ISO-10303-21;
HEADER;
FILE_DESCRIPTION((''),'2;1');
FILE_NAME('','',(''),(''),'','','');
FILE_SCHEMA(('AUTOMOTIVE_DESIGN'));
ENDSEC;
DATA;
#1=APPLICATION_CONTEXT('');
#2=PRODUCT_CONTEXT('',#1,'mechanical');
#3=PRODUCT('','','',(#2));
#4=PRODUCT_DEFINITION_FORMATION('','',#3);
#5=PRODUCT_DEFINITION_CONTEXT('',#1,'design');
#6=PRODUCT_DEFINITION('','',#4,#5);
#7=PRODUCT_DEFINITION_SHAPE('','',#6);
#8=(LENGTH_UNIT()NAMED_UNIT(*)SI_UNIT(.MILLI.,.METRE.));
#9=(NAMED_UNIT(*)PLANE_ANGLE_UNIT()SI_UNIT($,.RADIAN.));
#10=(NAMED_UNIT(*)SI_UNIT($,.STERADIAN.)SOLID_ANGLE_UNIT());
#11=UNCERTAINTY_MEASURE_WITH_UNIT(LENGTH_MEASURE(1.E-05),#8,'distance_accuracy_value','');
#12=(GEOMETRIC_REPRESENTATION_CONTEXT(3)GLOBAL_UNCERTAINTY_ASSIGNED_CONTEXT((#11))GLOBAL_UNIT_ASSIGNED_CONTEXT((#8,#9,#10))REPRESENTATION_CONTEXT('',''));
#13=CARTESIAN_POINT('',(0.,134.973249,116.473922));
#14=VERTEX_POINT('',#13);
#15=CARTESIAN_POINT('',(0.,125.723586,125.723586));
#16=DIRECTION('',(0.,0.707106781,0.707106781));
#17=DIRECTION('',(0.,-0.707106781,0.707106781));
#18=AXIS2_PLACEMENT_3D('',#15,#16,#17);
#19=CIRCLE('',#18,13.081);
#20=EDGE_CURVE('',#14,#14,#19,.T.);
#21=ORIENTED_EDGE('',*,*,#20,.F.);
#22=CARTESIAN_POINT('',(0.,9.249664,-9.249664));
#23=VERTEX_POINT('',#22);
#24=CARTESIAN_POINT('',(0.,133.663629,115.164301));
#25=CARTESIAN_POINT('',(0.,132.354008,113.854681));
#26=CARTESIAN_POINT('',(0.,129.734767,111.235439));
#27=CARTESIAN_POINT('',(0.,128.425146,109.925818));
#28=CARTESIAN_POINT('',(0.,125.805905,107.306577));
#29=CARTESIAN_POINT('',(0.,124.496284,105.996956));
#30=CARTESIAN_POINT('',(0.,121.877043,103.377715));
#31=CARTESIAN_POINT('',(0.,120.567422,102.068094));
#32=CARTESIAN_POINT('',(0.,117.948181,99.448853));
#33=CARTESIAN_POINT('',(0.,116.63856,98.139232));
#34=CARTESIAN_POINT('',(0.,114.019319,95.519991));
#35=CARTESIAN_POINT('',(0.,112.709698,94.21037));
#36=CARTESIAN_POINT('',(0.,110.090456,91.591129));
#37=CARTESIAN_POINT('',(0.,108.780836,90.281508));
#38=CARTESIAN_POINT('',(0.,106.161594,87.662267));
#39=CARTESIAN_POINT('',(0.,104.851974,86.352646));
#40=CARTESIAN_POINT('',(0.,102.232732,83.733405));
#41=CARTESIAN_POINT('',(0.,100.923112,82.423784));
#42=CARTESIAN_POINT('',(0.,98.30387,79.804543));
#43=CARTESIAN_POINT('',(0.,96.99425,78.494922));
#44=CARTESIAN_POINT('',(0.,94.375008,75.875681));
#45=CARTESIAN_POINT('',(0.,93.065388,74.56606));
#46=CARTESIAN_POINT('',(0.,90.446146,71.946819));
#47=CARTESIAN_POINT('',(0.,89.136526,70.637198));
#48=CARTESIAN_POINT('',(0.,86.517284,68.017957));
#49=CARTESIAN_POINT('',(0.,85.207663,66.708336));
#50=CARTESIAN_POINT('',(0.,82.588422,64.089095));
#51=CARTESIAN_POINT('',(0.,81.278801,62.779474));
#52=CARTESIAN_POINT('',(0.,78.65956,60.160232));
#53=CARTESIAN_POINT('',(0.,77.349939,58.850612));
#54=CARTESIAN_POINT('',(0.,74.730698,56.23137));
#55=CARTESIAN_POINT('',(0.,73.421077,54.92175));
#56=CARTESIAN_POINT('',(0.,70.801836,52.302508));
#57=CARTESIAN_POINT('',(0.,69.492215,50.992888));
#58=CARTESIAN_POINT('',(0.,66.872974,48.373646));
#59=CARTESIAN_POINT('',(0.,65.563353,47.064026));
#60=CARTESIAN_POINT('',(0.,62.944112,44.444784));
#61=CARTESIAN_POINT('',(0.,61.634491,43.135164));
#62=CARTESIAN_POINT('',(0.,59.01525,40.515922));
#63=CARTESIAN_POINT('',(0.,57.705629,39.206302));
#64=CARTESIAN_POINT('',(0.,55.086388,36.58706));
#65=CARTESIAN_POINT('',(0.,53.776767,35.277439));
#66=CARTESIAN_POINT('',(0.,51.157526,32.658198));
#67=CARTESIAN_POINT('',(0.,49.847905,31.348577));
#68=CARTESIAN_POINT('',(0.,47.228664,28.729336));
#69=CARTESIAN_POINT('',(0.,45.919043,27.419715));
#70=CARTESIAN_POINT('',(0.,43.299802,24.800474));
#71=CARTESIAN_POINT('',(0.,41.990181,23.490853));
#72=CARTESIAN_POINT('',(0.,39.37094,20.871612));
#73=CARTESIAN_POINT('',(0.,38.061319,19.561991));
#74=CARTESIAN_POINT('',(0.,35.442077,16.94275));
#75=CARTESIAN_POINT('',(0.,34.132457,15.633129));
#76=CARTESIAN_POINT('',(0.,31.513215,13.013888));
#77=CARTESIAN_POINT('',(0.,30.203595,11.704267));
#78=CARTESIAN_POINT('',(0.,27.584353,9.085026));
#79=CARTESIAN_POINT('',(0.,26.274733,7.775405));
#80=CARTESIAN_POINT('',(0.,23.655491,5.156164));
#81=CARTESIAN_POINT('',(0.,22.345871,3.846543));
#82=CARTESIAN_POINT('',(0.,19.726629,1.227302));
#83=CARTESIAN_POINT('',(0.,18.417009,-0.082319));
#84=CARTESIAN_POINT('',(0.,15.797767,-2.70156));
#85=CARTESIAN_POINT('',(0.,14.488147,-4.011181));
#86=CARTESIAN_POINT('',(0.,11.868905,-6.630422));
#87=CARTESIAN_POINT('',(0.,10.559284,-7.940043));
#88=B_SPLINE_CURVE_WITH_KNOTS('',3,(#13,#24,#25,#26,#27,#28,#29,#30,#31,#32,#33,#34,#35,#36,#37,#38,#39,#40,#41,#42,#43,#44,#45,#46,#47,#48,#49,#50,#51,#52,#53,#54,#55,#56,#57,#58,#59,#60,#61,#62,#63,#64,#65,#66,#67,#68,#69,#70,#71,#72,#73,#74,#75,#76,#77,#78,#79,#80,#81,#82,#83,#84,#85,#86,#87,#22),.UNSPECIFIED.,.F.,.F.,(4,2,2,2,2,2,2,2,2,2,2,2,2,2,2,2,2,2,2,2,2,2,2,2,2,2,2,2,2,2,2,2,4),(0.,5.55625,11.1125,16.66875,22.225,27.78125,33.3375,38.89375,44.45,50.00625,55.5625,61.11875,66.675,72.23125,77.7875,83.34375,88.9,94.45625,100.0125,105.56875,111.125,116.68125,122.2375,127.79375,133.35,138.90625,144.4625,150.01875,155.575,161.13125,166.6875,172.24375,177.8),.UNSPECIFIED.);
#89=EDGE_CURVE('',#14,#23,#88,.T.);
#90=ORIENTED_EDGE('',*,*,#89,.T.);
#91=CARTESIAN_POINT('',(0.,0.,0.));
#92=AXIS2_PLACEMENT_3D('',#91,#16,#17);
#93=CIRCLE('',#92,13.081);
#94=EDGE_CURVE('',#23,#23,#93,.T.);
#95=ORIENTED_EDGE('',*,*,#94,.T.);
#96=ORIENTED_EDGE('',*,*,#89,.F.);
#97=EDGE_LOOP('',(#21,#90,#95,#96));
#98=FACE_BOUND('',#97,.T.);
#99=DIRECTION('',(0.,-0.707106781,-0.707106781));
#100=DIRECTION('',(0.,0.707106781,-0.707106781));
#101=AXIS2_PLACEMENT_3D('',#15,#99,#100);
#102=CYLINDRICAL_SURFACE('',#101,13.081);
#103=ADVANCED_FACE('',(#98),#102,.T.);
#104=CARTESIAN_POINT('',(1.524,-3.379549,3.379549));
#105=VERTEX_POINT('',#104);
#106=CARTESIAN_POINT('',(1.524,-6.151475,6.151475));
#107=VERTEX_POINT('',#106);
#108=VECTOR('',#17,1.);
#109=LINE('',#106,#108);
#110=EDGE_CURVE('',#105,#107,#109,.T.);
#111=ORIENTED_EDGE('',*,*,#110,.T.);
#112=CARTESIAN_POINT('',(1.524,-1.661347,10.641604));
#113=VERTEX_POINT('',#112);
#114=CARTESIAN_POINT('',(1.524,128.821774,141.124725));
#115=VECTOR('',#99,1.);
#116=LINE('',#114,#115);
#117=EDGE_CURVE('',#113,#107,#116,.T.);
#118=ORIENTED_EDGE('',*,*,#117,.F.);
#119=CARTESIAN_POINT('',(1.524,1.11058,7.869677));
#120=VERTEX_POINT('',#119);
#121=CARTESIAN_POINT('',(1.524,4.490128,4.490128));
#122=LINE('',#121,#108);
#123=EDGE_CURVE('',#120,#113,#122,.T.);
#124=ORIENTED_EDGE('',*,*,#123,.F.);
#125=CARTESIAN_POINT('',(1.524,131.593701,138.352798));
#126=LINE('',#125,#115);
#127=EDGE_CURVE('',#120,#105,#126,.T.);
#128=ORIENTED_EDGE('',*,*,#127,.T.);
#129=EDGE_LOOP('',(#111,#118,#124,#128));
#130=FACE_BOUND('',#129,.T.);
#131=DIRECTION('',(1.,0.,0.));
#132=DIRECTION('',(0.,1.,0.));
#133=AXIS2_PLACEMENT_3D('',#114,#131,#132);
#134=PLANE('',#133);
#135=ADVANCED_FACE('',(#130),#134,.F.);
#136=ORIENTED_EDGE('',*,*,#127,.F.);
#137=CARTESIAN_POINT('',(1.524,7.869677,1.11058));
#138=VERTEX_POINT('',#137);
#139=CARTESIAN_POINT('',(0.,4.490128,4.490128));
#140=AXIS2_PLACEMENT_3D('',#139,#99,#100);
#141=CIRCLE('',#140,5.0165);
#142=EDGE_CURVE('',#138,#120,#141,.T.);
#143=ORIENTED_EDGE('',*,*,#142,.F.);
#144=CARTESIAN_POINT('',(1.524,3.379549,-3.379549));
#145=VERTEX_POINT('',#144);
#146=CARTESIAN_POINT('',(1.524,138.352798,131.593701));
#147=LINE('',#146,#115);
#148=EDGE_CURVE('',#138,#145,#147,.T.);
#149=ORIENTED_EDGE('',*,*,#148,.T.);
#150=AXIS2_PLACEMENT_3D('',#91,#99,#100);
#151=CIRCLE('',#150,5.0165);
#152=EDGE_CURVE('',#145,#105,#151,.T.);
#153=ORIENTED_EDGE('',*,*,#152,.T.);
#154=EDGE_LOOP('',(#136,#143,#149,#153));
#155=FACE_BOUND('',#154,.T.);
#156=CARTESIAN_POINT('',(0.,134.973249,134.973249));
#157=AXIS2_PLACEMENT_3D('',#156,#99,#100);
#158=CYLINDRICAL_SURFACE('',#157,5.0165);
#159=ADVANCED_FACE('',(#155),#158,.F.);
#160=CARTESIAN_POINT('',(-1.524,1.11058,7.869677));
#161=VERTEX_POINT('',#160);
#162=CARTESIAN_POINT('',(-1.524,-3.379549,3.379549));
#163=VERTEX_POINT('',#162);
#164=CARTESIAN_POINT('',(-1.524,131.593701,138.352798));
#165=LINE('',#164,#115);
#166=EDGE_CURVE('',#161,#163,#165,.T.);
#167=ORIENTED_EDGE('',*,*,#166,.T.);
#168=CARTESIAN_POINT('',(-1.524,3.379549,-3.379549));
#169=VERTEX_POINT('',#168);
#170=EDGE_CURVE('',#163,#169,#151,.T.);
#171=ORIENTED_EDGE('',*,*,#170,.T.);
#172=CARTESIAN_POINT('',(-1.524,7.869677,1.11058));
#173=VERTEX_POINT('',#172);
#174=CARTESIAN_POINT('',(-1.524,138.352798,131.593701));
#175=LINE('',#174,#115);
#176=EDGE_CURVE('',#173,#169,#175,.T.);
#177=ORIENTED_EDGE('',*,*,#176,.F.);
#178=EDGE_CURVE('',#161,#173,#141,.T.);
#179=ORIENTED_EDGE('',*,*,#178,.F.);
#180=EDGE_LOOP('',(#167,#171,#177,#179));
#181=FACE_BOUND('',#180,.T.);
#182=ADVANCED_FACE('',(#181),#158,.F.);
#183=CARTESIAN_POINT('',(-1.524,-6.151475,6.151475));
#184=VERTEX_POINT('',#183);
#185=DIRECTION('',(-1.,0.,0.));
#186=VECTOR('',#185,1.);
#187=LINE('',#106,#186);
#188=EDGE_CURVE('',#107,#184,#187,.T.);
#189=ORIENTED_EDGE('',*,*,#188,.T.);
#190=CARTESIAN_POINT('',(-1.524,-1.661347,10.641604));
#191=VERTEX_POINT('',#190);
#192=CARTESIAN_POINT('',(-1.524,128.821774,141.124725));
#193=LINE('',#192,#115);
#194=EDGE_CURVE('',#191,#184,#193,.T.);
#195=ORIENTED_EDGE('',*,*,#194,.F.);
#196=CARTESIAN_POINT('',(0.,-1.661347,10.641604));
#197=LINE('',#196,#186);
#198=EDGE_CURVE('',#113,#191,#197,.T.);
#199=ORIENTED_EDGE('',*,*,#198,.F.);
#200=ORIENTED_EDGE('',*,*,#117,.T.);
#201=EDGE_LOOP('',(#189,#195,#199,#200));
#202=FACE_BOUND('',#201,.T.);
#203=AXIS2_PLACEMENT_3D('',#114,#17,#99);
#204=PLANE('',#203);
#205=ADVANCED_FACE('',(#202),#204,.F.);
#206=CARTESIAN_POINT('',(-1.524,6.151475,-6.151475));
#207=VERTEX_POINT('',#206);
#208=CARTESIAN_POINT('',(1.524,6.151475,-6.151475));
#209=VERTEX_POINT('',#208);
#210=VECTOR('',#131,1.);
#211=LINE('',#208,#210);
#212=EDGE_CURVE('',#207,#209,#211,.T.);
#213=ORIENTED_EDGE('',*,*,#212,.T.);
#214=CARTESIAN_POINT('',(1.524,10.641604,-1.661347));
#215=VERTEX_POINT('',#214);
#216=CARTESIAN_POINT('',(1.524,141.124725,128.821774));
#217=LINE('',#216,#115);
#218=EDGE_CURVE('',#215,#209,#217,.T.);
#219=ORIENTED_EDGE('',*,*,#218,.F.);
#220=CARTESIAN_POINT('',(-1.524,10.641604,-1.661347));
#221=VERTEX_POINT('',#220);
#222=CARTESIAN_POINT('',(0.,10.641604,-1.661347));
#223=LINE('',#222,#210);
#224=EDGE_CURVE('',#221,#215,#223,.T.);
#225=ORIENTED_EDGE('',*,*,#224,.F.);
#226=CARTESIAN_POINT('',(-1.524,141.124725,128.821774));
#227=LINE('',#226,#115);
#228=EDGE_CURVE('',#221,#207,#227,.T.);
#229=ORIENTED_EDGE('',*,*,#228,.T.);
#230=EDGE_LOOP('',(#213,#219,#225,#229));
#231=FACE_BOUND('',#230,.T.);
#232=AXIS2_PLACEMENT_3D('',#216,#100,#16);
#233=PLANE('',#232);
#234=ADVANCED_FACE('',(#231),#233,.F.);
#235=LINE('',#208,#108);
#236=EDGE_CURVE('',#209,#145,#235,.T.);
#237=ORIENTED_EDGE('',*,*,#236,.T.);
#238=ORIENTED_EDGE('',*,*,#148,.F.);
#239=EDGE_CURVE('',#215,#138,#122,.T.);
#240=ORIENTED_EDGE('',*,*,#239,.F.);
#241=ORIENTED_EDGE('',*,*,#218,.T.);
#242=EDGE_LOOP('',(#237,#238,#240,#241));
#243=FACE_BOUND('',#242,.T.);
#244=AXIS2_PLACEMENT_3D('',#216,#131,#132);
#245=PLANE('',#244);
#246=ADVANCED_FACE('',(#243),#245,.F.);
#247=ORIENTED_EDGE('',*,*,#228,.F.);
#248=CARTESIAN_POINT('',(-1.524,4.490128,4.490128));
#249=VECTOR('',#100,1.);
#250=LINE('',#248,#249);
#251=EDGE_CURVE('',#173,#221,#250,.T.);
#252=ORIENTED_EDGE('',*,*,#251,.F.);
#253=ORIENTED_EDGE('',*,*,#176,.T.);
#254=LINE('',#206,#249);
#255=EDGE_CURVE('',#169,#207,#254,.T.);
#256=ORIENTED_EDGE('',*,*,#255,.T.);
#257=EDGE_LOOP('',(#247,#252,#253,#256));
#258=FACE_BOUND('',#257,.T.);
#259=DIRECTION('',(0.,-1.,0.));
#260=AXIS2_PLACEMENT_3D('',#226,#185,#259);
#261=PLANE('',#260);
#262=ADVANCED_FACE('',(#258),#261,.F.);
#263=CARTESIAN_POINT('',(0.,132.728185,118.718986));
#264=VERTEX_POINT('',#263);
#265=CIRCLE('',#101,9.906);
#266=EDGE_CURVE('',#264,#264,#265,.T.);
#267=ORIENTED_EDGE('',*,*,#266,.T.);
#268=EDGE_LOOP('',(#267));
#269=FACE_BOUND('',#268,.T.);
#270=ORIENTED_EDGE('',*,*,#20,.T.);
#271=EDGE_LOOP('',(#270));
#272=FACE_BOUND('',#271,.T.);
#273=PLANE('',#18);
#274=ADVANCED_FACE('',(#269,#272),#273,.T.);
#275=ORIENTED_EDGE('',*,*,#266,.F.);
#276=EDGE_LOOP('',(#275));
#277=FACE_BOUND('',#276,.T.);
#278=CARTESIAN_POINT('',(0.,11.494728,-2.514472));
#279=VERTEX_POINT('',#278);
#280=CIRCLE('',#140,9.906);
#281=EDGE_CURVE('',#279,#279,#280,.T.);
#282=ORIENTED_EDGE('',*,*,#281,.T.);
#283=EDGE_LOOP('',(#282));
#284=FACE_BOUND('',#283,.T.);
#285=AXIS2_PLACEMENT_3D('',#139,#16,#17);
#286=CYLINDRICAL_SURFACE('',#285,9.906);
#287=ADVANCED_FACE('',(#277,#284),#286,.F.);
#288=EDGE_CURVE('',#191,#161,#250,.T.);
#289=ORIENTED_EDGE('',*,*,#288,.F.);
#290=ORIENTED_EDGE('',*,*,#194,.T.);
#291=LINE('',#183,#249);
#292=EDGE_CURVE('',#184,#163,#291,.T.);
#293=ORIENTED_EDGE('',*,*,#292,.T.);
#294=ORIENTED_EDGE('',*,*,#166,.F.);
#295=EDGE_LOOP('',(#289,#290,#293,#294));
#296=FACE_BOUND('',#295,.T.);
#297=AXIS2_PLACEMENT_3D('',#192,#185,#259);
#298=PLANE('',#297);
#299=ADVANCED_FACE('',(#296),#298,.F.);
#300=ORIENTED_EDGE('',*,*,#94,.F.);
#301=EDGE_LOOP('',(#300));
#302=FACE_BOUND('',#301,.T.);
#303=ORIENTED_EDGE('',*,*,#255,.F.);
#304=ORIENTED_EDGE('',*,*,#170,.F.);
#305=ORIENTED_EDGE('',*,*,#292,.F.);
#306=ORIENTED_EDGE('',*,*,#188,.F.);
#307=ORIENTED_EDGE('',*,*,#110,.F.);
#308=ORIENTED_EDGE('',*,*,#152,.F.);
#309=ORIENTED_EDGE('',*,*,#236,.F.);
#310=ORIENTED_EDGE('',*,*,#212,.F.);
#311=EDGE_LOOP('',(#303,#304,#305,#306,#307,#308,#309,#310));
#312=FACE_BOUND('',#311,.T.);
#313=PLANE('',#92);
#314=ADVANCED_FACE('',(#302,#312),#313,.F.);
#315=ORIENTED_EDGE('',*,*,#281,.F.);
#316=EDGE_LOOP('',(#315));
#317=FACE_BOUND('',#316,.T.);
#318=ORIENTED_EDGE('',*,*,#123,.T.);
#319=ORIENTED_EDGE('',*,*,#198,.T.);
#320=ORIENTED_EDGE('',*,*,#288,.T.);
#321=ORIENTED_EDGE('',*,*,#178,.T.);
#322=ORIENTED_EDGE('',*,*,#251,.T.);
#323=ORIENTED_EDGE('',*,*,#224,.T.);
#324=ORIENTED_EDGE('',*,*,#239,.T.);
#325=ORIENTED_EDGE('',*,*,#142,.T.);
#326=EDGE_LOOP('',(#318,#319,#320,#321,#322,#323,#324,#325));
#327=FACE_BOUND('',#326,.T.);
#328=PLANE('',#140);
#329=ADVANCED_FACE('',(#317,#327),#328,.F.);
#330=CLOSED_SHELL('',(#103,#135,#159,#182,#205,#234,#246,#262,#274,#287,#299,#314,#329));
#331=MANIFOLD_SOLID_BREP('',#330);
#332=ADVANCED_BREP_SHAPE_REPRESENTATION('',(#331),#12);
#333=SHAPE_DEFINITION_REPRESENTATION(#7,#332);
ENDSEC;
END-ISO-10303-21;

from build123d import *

# Parameters (mm, degrees)
SKETCH9_R           = 13.081
BOSS_EXTRUDE2_DEPTH = 177.8
SKETCH3_R           = 9.906
CUT_EXTRUDE1_DEPTH  = 171.45
CUT_EXTRUDE2_DEPTH  = 206.013596075


with BuildPart() as part:
    # Sketch9 → Boss-Extrude2 (new body)
    with BuildSketch(Plane(origin=(0, 0, 0), x_dir=(1, 0, 0), z_dir=(0, 0.7071067811865464, 0.7071067811865487))):
        with Locations(Location((0, 0, 0), (0, 0, 90))):
            Circle(SKETCH9_R)
    extrude(amount=BOSS_EXTRUDE2_DEPTH)

    # Sketch3 → Cut-Extrude1 (cut)
    with BuildSketch(Plane(origin=(0, 429.24717139, -177.8), x_dir=(1, 0, 0), z_dir=(0, -0.7071067811865464, -0.7071067811865487))):
        with Locations(Location((0, 429.24717139, 0), (0, 0, 270))):
            Circle(SKETCH3_R)
    extrude(amount=CUT_EXTRUDE1_DEPTH, mode=Mode.SUBTRACT)

    # Sketch5 → Cut-Extrude2 (cut, through all)
    with BuildSketch(Plane(origin=(0, 52.076414305, -52.076414305), x_dir=(-1, 0, 0), z_dir=(0, -0.7071067811865464, -0.7071067811865487))):
        with BuildLine():
            Line((-1.524, -64.94767139), (1.524, -64.94767139))
            Line((1.524, -64.94767139), (1.524, -68.867768054))
            ThreePointArc((1.524, -68.867768054), (5.0165, -73.64717139), (1.524, -78.426574726))
            Line((1.524, -78.426574726), (1.524, -82.34667139))
            Line((1.524, -82.34667139), (-1.524, -82.34667139))
            Line((-1.524, -82.34667139), (-1.524, -78.426574726))
            ThreePointArc((-1.524, -78.426574726), (-5.0165, -73.64717139), (-1.524, -68.867768054))
            Line((-1.524, -68.867768054), (-1.524, -64.94767139))
        make_face()
    extrude(amount=-CUT_EXTRUDE2_DEPTH, mode=Mode.SUBTRACT)


solid = part.part
